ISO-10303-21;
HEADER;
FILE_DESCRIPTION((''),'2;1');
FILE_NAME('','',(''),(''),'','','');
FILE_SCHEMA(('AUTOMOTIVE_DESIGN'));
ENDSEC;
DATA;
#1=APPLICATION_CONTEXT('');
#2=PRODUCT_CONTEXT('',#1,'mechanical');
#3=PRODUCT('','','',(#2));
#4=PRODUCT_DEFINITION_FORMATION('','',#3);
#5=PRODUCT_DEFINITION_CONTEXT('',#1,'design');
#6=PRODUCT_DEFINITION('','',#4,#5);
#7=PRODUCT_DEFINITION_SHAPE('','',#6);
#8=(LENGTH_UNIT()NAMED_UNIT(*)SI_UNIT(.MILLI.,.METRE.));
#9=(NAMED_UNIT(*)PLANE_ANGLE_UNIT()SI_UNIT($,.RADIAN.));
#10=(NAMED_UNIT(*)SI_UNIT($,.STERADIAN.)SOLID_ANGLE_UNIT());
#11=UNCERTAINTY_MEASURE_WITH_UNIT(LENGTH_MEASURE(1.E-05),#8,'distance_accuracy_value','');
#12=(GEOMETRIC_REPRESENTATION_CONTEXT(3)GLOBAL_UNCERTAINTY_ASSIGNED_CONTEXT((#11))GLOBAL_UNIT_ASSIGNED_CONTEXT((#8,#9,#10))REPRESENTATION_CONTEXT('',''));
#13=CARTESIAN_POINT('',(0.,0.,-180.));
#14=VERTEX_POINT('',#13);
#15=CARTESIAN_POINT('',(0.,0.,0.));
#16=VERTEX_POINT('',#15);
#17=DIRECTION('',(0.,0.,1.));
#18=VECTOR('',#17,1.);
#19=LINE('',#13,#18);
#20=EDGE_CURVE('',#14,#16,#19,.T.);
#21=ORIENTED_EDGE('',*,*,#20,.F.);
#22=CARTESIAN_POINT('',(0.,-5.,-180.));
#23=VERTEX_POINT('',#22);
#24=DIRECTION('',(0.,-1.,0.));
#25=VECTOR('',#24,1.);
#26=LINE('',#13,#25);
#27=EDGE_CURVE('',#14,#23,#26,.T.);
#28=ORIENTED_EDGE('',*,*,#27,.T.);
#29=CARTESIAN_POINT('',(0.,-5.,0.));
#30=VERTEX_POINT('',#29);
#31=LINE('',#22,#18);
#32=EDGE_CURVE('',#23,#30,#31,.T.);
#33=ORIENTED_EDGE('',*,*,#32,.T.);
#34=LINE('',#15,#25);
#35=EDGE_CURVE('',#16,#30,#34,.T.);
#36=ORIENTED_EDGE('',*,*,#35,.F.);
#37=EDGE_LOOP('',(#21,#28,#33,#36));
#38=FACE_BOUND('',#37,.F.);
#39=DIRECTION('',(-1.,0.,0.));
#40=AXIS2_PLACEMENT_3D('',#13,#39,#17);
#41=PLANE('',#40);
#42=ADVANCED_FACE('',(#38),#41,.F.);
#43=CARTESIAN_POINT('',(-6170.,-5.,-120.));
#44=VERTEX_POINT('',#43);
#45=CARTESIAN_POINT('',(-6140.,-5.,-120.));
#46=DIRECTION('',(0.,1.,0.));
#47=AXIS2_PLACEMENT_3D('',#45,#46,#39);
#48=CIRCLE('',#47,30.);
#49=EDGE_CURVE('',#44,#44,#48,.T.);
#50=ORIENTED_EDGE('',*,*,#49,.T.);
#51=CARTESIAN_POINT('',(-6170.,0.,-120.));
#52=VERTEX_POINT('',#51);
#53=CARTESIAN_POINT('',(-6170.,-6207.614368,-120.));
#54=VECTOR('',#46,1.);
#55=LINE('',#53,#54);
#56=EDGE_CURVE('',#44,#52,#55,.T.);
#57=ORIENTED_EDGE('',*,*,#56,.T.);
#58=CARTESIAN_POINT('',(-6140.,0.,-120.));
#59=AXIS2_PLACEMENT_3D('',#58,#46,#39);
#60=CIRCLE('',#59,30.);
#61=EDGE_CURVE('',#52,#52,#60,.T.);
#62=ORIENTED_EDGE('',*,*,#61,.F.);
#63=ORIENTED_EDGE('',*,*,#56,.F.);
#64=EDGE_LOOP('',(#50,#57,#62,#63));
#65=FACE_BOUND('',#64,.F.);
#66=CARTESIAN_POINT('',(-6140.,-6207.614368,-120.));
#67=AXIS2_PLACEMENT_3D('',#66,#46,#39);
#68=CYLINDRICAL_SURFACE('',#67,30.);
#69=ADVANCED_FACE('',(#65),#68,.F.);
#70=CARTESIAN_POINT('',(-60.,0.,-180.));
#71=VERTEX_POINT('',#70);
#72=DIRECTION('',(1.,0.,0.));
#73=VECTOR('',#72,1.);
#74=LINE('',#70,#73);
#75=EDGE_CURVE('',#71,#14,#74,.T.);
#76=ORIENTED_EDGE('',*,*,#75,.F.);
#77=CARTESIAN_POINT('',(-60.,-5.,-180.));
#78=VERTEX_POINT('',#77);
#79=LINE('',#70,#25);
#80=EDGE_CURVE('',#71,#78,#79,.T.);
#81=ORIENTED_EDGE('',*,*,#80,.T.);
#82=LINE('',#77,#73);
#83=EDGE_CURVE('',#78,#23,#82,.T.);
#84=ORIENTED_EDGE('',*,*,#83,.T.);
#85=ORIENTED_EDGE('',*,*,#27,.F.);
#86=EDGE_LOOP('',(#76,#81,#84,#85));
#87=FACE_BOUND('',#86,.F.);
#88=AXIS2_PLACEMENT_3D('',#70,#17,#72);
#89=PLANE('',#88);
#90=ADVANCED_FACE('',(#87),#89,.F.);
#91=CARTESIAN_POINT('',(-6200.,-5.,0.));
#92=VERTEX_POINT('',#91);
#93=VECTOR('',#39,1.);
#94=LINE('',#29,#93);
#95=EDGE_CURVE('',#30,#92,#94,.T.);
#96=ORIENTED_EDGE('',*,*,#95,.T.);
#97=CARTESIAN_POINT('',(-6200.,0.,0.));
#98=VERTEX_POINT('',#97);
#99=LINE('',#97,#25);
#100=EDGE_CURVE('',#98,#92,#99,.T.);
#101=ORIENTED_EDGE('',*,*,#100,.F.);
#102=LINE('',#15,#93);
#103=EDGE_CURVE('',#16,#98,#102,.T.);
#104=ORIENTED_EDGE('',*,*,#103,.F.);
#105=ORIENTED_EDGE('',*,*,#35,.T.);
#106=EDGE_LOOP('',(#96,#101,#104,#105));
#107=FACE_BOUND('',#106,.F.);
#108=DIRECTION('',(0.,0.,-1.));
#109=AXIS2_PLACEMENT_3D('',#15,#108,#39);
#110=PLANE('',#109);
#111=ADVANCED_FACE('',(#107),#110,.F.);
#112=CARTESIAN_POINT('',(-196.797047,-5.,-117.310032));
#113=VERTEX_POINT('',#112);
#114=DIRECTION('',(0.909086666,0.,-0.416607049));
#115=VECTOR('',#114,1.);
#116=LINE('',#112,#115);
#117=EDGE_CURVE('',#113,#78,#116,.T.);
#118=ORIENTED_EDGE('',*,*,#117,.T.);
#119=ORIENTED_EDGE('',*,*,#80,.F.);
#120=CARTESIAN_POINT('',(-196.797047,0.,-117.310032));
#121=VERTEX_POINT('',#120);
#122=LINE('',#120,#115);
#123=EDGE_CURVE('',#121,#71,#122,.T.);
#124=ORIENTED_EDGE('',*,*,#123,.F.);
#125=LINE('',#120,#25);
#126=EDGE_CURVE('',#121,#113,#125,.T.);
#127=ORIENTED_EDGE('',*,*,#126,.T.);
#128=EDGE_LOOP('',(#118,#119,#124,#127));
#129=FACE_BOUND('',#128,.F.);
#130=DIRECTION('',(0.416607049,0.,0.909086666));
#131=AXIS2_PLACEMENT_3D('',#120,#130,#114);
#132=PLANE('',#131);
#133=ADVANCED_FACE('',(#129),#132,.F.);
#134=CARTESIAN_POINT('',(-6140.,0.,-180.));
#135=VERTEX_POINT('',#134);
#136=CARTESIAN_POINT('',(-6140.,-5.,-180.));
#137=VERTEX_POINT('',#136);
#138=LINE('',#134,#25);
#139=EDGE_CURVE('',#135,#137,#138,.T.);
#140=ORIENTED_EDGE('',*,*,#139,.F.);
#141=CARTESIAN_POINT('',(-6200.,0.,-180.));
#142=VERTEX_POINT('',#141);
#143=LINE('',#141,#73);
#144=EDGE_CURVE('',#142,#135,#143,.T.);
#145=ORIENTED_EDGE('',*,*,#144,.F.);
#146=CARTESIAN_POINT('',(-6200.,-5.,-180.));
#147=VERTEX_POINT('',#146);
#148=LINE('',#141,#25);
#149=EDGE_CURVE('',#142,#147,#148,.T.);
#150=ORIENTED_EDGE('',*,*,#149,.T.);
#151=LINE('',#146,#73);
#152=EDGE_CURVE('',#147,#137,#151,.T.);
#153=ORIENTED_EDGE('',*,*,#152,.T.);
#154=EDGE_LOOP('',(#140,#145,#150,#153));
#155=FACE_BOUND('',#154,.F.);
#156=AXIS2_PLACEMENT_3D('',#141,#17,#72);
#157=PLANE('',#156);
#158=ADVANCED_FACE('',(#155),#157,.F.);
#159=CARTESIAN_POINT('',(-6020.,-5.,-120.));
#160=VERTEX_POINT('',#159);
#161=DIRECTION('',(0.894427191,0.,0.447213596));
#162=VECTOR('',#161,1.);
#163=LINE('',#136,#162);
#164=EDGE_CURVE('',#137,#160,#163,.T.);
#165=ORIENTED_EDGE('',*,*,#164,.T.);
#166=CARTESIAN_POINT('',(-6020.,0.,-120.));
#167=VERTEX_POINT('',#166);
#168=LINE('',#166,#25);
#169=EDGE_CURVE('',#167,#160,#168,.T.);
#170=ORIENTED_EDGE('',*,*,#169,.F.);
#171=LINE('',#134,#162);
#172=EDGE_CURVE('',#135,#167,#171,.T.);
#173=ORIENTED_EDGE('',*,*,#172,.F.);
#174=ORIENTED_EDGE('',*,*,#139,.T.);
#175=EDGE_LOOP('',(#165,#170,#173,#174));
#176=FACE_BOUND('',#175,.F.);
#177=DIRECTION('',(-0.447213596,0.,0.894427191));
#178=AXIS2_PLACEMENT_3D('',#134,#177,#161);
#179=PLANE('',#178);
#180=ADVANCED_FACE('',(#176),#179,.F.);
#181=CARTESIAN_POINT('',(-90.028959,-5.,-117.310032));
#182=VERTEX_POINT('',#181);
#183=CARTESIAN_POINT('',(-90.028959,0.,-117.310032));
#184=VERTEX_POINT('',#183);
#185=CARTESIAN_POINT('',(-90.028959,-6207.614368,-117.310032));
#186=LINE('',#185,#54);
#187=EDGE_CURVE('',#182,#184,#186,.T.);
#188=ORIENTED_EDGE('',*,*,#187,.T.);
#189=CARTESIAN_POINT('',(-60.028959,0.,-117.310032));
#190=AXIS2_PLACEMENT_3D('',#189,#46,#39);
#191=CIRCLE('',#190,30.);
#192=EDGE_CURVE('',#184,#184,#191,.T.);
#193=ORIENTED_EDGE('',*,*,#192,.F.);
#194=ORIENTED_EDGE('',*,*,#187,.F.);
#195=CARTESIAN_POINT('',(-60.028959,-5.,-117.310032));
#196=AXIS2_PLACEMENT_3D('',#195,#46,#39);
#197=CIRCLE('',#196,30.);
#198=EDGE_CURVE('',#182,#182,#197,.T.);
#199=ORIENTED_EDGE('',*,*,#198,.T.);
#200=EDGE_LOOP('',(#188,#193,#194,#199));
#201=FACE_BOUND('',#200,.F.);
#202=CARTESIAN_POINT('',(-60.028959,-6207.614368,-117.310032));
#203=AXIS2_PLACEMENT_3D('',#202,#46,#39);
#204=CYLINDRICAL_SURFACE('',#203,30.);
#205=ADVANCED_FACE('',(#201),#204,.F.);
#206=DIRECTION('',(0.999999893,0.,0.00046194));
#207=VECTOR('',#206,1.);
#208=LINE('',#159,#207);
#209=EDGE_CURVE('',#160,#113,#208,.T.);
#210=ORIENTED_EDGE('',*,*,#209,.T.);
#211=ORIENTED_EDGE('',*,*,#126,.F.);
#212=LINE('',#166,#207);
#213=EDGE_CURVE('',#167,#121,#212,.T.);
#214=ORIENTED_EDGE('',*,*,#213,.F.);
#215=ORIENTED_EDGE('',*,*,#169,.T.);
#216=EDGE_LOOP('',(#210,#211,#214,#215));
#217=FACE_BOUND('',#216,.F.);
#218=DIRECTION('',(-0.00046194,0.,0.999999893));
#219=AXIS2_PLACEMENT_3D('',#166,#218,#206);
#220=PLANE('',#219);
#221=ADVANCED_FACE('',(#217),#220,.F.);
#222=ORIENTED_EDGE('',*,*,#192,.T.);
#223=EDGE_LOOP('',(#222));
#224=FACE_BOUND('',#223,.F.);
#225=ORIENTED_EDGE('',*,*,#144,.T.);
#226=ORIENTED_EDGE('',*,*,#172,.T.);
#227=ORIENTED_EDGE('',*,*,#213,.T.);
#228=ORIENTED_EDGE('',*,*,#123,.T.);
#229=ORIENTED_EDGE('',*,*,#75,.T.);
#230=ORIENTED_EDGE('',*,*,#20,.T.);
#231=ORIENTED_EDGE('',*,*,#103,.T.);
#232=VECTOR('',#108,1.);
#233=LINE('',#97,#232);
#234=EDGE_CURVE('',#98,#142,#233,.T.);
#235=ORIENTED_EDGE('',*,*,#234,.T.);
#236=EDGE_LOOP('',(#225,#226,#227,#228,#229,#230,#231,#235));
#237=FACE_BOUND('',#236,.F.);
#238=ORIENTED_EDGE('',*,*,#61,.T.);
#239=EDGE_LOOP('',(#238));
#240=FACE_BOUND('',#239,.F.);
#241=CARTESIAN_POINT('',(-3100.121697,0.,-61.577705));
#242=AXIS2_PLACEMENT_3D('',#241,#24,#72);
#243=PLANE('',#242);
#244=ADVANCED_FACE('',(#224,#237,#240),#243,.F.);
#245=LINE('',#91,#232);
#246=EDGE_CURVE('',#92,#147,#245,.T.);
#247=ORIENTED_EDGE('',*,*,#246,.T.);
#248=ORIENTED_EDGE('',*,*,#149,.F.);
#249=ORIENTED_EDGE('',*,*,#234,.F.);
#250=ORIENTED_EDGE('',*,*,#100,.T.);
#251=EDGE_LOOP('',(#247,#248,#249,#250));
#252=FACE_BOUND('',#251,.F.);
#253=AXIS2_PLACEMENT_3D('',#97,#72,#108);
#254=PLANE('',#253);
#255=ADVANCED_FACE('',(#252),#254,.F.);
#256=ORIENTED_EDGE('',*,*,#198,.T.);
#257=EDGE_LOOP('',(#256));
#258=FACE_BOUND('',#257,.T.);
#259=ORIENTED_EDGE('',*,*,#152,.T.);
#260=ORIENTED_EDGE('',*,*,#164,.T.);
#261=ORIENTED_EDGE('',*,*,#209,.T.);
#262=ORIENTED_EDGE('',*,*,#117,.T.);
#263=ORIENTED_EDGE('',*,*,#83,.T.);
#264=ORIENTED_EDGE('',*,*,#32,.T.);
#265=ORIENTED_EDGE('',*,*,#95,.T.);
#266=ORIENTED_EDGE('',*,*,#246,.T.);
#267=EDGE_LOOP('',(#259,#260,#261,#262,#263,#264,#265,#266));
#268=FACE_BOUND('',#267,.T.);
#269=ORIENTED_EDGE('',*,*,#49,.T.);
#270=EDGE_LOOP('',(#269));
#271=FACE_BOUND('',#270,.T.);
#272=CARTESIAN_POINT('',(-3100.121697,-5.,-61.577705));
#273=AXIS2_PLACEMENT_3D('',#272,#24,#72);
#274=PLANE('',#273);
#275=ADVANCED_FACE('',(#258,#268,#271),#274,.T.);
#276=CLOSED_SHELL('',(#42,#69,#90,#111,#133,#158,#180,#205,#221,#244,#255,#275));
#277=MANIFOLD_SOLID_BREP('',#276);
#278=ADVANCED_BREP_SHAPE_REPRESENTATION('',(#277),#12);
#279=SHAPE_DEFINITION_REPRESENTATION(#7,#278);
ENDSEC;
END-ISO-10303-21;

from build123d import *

# Parameters (mm, degrees)
F1_DEPTH = 5
F3_D     = 60


with BuildPart() as f1:
    # F0 (on Front) → F1 (new body)
    with BuildSketch(Plane.XZ):
        Polygon((0, -180), (0, 0), (-6200, 0), (-6200, -180), (-6140, -180), (-6020, -120), (-196.797047, -117.310032), (-60, -180), align=None)
    extrude(amount=F1_DEPTH)

    # F3 (through all)
    with Locations(Plane.XZ.offset(5)):
        with Locations((-60.028959, -117.310032), (-6140, -120)):
            Hole(F3_D / 2)


solid = f1.part
